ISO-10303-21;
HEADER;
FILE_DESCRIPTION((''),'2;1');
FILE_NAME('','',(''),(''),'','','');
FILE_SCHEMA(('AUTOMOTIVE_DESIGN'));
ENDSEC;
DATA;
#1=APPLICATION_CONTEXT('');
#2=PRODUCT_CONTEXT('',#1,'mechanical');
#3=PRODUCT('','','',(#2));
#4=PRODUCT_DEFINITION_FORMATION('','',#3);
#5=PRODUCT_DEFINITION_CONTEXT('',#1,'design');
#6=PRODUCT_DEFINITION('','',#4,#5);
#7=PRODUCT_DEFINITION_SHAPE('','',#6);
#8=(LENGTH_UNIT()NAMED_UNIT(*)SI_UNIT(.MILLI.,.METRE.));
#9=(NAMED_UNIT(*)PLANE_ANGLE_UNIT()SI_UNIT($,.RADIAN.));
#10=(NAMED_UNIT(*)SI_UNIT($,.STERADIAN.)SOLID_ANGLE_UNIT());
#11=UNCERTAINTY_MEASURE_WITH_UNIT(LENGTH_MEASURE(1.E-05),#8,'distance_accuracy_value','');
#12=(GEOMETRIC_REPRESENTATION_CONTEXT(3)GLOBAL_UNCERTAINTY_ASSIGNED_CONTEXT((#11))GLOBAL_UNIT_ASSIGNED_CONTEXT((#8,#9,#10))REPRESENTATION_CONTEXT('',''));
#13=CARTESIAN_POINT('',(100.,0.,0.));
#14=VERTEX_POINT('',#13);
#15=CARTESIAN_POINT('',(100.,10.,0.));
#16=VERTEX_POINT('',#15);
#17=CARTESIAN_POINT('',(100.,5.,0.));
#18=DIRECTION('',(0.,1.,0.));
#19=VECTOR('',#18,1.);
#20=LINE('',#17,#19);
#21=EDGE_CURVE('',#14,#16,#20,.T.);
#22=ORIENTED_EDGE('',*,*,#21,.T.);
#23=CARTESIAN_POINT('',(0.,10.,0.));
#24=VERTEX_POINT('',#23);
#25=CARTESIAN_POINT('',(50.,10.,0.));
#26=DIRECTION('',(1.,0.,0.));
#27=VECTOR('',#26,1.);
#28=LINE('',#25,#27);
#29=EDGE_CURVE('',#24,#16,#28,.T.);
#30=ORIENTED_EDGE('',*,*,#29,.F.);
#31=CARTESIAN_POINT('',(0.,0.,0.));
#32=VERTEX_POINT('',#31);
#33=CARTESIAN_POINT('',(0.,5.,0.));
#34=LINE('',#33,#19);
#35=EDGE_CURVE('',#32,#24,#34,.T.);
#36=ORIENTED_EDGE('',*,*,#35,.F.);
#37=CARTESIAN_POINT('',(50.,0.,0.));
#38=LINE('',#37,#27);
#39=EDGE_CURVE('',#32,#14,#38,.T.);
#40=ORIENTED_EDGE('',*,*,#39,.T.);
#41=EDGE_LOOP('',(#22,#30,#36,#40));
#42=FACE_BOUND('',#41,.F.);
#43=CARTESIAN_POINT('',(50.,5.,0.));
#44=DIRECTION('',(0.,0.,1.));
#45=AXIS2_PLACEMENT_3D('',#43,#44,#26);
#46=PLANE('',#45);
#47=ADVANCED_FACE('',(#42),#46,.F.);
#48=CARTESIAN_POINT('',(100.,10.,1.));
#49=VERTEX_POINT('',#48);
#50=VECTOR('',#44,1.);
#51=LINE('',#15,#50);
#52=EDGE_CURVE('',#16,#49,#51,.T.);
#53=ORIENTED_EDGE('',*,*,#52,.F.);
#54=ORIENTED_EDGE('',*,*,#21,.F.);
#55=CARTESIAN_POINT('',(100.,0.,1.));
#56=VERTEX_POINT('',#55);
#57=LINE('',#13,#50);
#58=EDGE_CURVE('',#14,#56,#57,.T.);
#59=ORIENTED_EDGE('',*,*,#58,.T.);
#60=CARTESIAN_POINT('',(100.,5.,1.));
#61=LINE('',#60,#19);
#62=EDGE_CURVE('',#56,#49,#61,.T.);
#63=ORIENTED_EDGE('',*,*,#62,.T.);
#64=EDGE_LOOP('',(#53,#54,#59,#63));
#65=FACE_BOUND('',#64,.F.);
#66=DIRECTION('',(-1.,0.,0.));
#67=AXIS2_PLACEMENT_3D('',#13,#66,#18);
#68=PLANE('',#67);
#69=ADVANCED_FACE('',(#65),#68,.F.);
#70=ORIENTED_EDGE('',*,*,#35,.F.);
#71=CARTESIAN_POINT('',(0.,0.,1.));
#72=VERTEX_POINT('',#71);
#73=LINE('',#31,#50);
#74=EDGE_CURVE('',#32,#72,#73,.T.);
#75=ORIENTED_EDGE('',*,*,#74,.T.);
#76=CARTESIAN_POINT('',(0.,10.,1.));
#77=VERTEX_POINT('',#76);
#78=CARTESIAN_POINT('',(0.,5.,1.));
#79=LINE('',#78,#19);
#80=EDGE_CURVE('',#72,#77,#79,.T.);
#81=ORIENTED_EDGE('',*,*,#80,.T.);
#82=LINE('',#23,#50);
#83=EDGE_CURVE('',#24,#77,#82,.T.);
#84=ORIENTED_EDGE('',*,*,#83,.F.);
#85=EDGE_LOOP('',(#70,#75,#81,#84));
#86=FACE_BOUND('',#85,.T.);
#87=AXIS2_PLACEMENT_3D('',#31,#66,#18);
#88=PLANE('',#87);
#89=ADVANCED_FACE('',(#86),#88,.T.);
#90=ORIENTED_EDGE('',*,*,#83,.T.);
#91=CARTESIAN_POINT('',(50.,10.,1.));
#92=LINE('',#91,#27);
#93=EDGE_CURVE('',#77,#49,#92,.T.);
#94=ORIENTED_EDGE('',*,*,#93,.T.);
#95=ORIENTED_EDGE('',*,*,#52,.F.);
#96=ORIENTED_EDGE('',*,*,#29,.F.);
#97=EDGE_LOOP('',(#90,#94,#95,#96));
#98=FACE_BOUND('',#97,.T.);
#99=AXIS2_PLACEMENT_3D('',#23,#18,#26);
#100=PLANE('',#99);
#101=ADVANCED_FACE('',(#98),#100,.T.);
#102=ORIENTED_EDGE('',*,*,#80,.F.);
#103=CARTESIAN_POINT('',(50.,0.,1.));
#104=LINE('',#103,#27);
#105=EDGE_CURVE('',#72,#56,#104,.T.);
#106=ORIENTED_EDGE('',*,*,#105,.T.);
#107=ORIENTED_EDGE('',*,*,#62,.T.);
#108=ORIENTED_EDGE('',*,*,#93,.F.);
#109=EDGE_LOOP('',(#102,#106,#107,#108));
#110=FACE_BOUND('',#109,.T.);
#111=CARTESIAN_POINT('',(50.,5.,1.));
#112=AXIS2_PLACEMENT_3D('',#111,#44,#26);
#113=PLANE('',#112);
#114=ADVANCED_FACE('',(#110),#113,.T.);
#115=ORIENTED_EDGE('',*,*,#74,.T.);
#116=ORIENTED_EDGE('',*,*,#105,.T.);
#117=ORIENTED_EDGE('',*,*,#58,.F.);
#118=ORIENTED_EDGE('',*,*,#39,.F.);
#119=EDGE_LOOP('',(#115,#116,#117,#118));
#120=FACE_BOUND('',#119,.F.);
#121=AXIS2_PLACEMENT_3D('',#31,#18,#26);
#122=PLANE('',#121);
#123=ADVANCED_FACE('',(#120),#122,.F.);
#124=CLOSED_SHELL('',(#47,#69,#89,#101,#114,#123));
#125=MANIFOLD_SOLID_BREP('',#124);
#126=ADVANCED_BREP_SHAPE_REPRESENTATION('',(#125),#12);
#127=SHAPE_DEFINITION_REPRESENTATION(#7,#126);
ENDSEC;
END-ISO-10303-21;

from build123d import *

# Parameters (mm, degrees)
BOX_W     = 100
BOX_H     = 10
BOX_DEPTH = 1


with BuildPart() as part:
    # Box → Box (new body)
    with BuildSketch(Plane.XY):
        with Locations((50, 5)):
            Rectangle(BOX_W, BOX_H)
    extrude(amount=BOX_DEPTH)


solid = part.part
